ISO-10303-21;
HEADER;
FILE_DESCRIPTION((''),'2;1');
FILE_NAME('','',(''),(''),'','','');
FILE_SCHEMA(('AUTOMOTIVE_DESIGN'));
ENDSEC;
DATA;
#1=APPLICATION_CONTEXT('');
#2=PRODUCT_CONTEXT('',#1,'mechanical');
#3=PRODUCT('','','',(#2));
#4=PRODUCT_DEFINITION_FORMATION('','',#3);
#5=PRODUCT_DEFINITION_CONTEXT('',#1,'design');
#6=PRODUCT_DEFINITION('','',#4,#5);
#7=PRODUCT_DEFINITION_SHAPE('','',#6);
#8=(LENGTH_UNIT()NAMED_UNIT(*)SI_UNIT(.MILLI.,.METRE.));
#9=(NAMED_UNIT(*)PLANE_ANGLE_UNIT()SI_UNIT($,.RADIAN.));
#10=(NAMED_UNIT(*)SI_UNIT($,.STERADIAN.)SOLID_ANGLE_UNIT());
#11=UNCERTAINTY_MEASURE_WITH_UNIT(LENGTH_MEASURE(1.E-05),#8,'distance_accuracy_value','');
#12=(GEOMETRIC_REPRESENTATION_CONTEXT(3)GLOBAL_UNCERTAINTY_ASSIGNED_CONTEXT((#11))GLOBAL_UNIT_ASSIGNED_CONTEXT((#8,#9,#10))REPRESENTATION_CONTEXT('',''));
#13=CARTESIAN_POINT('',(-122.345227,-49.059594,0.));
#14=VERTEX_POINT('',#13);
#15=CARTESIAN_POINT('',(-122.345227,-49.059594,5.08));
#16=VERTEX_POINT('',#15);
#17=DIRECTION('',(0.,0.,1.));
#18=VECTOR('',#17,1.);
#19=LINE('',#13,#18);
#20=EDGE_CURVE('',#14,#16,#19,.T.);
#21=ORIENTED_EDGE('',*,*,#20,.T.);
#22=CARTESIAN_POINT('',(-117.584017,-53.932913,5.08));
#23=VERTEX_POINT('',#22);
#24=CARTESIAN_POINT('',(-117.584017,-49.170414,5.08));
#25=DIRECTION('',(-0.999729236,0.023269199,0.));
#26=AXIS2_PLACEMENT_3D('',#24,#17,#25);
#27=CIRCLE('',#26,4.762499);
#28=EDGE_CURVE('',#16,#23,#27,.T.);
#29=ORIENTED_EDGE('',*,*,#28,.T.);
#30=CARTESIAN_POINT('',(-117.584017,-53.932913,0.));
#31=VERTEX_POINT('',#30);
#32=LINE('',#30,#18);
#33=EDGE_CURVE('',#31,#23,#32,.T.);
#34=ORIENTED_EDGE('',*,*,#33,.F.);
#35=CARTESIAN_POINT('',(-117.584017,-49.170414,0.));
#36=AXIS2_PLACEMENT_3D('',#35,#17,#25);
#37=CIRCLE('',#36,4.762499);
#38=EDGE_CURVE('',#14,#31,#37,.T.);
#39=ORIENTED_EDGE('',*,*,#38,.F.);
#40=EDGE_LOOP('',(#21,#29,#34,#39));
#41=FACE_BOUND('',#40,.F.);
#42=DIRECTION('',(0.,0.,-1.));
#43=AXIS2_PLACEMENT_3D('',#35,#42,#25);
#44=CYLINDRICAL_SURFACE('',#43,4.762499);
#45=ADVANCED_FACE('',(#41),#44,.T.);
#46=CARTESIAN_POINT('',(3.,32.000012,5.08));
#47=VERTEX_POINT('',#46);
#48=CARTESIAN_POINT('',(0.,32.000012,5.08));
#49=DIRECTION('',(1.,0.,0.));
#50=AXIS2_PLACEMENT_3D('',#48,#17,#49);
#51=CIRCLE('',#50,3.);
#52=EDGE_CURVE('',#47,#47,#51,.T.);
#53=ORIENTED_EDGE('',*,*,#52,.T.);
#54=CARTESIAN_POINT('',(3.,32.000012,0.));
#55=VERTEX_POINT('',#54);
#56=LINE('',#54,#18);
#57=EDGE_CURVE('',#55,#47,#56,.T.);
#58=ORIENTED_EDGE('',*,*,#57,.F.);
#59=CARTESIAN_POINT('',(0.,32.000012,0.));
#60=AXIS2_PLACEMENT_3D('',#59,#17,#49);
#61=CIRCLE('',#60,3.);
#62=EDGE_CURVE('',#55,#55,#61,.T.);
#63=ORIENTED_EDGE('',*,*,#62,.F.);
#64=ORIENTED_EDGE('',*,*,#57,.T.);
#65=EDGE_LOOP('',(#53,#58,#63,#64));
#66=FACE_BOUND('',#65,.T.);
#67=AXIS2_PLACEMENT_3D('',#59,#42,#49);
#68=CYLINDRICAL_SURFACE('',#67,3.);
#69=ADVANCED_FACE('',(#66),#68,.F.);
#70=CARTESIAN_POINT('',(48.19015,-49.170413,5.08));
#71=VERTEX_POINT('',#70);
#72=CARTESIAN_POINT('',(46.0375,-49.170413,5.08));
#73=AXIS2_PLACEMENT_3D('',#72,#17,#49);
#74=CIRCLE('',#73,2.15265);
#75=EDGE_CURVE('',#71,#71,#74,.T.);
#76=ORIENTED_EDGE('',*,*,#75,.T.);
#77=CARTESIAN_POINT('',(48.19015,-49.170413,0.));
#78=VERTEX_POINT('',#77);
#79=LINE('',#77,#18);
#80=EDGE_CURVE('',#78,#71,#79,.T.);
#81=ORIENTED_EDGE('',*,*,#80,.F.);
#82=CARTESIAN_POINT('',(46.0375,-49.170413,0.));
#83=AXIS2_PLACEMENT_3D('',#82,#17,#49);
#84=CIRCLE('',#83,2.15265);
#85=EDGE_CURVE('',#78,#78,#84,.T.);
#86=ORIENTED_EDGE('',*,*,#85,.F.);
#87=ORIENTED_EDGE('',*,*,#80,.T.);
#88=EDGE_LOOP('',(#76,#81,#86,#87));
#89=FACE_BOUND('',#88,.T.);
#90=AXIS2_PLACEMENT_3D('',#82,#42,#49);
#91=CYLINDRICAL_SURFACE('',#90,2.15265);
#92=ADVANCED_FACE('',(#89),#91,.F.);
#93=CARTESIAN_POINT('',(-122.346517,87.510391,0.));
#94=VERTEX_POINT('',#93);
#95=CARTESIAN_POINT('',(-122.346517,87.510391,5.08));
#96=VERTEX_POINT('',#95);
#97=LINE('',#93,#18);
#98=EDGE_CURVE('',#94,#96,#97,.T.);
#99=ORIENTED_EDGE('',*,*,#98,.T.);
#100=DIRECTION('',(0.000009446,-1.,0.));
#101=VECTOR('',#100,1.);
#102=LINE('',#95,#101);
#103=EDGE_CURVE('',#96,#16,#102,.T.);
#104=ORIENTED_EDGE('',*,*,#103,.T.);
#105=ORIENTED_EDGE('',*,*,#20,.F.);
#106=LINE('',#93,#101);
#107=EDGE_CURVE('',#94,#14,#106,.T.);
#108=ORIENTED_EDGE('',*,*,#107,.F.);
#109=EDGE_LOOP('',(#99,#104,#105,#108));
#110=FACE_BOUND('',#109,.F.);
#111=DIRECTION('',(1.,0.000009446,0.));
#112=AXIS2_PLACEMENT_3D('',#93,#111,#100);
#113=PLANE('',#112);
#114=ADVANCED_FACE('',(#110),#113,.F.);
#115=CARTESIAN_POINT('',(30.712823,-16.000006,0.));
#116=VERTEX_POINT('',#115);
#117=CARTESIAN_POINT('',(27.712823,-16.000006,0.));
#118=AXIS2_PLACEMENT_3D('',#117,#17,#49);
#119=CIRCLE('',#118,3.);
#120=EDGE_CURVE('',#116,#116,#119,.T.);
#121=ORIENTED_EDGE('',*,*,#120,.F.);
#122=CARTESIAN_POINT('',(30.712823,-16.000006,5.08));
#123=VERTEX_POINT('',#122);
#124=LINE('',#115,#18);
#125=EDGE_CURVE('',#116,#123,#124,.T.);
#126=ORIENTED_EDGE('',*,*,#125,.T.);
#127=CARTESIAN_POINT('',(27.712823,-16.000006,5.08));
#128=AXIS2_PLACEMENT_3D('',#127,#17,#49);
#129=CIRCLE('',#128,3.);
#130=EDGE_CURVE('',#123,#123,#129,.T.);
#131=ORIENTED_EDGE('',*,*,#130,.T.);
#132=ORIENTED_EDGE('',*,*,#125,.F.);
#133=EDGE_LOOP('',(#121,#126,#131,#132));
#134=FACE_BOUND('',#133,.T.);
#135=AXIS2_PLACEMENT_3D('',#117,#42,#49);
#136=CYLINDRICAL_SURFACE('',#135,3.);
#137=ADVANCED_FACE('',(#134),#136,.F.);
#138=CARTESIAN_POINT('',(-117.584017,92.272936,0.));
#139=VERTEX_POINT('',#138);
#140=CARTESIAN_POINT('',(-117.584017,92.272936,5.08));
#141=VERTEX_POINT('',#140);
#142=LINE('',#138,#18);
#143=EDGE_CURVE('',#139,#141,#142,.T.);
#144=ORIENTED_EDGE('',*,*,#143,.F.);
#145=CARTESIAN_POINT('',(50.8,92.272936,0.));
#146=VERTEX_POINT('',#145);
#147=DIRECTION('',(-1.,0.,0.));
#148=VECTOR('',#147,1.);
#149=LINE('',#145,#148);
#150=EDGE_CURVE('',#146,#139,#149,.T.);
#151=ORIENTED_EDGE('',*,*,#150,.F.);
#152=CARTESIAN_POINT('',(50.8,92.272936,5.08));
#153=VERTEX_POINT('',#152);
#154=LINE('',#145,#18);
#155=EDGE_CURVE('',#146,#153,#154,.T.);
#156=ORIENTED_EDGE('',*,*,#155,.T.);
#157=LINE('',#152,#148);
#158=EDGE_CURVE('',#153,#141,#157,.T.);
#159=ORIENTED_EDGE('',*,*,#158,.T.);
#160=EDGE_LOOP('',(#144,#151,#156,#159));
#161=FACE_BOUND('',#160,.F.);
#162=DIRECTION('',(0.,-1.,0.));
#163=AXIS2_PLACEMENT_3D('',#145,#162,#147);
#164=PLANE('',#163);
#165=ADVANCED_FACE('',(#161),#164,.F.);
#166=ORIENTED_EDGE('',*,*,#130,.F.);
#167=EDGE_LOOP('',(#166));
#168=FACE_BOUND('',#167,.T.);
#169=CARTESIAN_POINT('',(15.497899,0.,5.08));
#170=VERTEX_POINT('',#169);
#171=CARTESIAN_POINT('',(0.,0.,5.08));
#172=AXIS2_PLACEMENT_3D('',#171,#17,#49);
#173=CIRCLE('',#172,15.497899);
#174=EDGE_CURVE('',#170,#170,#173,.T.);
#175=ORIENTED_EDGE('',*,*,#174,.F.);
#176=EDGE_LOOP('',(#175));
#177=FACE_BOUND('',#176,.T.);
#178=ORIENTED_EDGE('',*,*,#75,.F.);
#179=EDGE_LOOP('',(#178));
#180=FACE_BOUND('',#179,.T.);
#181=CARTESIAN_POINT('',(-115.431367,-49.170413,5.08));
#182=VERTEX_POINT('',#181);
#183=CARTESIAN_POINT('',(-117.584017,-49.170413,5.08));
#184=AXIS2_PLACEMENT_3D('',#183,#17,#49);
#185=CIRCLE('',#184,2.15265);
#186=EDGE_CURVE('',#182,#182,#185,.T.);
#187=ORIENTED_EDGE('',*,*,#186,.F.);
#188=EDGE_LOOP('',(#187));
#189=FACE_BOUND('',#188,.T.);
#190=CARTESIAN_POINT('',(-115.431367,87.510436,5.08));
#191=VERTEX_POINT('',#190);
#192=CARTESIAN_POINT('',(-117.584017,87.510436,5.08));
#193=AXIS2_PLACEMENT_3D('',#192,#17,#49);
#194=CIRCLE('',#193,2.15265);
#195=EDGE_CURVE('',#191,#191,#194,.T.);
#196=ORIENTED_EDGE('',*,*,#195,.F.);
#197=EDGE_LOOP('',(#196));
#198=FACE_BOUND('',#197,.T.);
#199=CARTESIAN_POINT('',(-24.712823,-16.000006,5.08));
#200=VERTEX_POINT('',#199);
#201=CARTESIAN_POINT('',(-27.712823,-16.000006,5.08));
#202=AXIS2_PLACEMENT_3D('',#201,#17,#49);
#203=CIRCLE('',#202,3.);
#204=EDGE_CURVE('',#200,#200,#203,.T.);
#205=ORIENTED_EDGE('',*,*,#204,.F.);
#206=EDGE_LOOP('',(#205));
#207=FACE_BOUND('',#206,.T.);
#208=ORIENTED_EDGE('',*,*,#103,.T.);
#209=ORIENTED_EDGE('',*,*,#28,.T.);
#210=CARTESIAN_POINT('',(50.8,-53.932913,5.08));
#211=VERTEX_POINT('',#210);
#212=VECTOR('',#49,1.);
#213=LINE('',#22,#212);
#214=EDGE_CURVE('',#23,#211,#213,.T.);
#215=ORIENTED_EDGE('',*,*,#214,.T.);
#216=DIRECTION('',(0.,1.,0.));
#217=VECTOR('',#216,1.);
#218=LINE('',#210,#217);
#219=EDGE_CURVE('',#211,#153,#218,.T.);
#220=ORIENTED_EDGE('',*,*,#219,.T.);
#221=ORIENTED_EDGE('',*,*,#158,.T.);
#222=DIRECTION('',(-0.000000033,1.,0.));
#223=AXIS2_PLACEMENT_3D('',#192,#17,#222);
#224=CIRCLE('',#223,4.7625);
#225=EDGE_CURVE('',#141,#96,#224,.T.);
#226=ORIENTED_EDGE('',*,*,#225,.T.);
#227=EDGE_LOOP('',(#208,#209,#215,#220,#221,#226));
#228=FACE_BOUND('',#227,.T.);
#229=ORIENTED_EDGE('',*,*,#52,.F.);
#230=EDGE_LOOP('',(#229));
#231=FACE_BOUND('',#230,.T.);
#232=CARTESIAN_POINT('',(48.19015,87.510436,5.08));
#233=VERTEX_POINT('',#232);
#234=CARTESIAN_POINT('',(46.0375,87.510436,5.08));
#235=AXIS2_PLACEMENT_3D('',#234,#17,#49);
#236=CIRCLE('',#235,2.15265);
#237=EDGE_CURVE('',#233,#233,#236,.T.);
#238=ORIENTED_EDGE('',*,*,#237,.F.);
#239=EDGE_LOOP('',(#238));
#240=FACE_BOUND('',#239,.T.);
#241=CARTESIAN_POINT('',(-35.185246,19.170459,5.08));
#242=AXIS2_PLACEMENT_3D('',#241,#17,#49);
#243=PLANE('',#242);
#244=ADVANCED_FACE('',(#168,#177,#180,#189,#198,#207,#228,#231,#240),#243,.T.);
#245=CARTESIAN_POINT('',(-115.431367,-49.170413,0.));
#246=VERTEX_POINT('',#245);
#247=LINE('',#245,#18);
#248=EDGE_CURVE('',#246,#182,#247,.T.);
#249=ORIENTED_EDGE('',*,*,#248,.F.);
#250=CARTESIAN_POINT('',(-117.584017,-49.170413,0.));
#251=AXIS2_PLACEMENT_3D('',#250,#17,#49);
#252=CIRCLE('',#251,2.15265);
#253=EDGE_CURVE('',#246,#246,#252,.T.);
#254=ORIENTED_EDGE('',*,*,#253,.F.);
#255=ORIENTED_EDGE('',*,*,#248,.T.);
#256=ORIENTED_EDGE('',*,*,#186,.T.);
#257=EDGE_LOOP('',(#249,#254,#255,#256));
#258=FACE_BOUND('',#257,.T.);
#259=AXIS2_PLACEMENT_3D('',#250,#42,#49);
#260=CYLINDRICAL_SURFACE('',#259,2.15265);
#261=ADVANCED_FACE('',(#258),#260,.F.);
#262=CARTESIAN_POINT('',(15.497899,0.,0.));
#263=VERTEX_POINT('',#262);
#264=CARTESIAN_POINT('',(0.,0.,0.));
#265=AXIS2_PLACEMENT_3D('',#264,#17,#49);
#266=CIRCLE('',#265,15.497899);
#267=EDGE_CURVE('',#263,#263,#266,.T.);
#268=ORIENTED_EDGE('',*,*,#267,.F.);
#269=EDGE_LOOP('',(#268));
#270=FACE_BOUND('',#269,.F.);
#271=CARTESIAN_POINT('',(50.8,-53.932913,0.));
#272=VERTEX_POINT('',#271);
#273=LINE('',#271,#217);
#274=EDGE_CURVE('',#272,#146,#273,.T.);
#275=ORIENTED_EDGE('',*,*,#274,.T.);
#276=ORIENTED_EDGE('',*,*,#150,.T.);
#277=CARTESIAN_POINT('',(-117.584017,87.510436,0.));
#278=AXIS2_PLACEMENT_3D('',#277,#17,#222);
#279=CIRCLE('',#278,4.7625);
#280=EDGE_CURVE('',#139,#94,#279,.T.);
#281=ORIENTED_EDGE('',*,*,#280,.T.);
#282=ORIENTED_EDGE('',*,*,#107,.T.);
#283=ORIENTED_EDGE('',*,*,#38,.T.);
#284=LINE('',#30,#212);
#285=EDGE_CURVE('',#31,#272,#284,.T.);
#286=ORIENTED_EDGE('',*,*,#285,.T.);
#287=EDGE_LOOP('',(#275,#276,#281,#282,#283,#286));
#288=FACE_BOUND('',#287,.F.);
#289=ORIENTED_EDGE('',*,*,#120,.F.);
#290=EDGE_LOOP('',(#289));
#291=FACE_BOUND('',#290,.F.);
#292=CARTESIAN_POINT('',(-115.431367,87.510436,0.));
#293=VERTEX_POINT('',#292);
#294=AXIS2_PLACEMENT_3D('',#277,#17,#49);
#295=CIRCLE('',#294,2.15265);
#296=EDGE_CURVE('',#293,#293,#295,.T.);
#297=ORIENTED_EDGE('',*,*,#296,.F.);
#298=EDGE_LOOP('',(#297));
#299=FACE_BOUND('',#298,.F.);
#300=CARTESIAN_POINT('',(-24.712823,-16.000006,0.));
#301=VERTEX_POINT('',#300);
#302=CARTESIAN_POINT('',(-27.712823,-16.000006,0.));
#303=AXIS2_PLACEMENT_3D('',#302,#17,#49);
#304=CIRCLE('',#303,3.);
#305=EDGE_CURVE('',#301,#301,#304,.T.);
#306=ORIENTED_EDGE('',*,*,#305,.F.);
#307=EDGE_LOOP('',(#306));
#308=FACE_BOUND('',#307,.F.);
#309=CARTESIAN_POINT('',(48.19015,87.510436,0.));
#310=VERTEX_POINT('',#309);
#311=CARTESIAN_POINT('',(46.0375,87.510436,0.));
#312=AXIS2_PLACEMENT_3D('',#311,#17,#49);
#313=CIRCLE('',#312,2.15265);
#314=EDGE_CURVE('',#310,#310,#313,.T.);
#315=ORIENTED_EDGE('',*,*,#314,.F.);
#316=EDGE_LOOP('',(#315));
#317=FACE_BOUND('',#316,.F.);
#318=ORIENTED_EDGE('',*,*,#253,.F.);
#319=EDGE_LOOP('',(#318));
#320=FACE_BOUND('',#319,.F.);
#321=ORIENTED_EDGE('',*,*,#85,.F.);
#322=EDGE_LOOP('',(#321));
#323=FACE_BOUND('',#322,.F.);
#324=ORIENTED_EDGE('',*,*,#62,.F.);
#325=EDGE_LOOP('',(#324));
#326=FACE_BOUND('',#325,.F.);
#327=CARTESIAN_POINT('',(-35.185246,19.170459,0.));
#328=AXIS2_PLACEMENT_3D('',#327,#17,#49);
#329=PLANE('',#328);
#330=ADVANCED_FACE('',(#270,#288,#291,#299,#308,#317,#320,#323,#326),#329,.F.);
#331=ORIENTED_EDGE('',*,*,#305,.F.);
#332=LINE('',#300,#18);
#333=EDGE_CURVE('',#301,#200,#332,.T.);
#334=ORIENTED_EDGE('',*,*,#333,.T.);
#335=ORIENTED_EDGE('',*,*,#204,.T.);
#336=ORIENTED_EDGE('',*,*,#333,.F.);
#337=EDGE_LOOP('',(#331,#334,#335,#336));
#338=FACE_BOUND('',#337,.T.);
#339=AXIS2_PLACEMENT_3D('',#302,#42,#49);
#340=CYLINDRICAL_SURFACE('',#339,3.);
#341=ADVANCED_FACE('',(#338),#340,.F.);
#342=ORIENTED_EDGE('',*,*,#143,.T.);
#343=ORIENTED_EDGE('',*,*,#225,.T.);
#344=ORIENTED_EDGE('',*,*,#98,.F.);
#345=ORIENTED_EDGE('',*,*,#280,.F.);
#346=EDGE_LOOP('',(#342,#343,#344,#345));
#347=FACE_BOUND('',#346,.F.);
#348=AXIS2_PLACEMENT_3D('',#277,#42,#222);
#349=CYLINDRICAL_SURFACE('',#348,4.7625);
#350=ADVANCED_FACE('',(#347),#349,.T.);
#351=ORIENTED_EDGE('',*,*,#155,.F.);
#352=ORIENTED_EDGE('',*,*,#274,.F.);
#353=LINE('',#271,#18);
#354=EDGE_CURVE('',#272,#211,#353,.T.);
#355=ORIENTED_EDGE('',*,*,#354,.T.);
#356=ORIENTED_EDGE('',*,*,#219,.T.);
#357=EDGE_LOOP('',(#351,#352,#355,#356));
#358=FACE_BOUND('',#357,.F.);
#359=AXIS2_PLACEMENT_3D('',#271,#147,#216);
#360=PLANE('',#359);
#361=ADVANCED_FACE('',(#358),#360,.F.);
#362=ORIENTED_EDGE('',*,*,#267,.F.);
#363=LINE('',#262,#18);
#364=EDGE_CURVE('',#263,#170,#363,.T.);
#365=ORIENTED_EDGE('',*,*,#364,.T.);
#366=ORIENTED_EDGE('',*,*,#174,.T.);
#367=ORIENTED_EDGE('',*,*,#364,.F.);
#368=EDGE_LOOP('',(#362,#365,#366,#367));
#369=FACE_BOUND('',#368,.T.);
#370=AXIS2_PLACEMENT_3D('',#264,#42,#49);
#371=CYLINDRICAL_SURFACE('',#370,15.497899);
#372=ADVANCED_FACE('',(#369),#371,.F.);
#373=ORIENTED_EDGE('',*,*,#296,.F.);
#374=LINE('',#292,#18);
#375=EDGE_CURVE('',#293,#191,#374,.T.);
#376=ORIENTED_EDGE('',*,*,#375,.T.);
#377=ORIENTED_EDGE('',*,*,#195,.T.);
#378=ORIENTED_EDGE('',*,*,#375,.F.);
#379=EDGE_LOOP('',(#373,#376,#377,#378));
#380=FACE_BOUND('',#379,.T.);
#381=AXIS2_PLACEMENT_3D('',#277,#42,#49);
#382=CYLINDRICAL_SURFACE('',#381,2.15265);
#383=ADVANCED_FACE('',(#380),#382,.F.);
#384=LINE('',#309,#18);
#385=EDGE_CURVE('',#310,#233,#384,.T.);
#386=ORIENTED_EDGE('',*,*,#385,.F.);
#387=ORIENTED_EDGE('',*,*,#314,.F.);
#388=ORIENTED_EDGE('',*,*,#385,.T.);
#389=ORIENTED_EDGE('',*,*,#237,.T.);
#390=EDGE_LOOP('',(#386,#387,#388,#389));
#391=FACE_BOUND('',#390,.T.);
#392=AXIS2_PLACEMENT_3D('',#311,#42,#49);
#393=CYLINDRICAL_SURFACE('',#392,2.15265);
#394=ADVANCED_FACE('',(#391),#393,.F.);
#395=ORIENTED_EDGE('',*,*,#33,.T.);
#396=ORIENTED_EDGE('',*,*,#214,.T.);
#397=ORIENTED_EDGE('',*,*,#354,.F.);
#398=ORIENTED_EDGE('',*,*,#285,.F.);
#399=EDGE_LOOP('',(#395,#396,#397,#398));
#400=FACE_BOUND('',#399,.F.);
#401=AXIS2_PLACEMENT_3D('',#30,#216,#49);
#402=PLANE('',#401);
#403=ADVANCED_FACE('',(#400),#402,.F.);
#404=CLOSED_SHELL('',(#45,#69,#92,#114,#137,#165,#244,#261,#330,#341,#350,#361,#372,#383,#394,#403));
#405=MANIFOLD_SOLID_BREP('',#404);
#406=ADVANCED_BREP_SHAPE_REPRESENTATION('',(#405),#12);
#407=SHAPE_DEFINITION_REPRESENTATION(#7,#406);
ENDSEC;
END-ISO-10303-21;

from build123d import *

# Parameters (mm, degrees)
F0_R     = 2.15265
F0_R_2   = 3
F0_R_3   = 15.497899
F1_DEPTH = 5.08


with BuildPart() as f1:
    # F0 (on Top) → F1 (new body)
    with BuildSketch(Plane.XY):
        with BuildLine():
            Line((50.8, 92.272936), (-117.584017, 92.272936))
            ThreePointArc((-117.584017, 92.272936), (-120.951629, 90.878016), (-122.346517, 87.510391))
            Line((-122.346517, 87.510391), (-122.345227, -49.059594))
            ThreePointArc((-122.345227, -49.059594), (-120.990568, -52.498598), (-117.584017, -53.932913))
            Line((-117.584017, -53.932913), (50.8, -53.932913))
            Line((50.8, -53.932913), (50.8, 92.272936))
        make_face()
        with Locations((-117.584017, -49.170413)):
            Circle(F0_R, mode=Mode.SUBTRACT)
        with Locations((46.0375, -49.170413)):
            Circle(F0_R, mode=Mode.SUBTRACT)
        with Locations((-27.712823, -16.000006)):
            Circle(F0_R_2, mode=Mode.SUBTRACT)
        Circle(F0_R_3, mode=Mode.SUBTRACT)
        with Locations((27.712823, -16.000006)):
            Circle(F0_R_2, mode=Mode.SUBTRACT)
        with Locations((-117.584017, 87.510436)):
            Circle(F0_R, mode=Mode.SUBTRACT)
        with Locations((0, 32.000012)):
            Circle(F0_R_2, mode=Mode.SUBTRACT)
        with Locations((46.0375, 87.510436)):
            Circle(F0_R, mode=Mode.SUBTRACT)
    extrude(amount=F1_DEPTH)


solid = f1.part
